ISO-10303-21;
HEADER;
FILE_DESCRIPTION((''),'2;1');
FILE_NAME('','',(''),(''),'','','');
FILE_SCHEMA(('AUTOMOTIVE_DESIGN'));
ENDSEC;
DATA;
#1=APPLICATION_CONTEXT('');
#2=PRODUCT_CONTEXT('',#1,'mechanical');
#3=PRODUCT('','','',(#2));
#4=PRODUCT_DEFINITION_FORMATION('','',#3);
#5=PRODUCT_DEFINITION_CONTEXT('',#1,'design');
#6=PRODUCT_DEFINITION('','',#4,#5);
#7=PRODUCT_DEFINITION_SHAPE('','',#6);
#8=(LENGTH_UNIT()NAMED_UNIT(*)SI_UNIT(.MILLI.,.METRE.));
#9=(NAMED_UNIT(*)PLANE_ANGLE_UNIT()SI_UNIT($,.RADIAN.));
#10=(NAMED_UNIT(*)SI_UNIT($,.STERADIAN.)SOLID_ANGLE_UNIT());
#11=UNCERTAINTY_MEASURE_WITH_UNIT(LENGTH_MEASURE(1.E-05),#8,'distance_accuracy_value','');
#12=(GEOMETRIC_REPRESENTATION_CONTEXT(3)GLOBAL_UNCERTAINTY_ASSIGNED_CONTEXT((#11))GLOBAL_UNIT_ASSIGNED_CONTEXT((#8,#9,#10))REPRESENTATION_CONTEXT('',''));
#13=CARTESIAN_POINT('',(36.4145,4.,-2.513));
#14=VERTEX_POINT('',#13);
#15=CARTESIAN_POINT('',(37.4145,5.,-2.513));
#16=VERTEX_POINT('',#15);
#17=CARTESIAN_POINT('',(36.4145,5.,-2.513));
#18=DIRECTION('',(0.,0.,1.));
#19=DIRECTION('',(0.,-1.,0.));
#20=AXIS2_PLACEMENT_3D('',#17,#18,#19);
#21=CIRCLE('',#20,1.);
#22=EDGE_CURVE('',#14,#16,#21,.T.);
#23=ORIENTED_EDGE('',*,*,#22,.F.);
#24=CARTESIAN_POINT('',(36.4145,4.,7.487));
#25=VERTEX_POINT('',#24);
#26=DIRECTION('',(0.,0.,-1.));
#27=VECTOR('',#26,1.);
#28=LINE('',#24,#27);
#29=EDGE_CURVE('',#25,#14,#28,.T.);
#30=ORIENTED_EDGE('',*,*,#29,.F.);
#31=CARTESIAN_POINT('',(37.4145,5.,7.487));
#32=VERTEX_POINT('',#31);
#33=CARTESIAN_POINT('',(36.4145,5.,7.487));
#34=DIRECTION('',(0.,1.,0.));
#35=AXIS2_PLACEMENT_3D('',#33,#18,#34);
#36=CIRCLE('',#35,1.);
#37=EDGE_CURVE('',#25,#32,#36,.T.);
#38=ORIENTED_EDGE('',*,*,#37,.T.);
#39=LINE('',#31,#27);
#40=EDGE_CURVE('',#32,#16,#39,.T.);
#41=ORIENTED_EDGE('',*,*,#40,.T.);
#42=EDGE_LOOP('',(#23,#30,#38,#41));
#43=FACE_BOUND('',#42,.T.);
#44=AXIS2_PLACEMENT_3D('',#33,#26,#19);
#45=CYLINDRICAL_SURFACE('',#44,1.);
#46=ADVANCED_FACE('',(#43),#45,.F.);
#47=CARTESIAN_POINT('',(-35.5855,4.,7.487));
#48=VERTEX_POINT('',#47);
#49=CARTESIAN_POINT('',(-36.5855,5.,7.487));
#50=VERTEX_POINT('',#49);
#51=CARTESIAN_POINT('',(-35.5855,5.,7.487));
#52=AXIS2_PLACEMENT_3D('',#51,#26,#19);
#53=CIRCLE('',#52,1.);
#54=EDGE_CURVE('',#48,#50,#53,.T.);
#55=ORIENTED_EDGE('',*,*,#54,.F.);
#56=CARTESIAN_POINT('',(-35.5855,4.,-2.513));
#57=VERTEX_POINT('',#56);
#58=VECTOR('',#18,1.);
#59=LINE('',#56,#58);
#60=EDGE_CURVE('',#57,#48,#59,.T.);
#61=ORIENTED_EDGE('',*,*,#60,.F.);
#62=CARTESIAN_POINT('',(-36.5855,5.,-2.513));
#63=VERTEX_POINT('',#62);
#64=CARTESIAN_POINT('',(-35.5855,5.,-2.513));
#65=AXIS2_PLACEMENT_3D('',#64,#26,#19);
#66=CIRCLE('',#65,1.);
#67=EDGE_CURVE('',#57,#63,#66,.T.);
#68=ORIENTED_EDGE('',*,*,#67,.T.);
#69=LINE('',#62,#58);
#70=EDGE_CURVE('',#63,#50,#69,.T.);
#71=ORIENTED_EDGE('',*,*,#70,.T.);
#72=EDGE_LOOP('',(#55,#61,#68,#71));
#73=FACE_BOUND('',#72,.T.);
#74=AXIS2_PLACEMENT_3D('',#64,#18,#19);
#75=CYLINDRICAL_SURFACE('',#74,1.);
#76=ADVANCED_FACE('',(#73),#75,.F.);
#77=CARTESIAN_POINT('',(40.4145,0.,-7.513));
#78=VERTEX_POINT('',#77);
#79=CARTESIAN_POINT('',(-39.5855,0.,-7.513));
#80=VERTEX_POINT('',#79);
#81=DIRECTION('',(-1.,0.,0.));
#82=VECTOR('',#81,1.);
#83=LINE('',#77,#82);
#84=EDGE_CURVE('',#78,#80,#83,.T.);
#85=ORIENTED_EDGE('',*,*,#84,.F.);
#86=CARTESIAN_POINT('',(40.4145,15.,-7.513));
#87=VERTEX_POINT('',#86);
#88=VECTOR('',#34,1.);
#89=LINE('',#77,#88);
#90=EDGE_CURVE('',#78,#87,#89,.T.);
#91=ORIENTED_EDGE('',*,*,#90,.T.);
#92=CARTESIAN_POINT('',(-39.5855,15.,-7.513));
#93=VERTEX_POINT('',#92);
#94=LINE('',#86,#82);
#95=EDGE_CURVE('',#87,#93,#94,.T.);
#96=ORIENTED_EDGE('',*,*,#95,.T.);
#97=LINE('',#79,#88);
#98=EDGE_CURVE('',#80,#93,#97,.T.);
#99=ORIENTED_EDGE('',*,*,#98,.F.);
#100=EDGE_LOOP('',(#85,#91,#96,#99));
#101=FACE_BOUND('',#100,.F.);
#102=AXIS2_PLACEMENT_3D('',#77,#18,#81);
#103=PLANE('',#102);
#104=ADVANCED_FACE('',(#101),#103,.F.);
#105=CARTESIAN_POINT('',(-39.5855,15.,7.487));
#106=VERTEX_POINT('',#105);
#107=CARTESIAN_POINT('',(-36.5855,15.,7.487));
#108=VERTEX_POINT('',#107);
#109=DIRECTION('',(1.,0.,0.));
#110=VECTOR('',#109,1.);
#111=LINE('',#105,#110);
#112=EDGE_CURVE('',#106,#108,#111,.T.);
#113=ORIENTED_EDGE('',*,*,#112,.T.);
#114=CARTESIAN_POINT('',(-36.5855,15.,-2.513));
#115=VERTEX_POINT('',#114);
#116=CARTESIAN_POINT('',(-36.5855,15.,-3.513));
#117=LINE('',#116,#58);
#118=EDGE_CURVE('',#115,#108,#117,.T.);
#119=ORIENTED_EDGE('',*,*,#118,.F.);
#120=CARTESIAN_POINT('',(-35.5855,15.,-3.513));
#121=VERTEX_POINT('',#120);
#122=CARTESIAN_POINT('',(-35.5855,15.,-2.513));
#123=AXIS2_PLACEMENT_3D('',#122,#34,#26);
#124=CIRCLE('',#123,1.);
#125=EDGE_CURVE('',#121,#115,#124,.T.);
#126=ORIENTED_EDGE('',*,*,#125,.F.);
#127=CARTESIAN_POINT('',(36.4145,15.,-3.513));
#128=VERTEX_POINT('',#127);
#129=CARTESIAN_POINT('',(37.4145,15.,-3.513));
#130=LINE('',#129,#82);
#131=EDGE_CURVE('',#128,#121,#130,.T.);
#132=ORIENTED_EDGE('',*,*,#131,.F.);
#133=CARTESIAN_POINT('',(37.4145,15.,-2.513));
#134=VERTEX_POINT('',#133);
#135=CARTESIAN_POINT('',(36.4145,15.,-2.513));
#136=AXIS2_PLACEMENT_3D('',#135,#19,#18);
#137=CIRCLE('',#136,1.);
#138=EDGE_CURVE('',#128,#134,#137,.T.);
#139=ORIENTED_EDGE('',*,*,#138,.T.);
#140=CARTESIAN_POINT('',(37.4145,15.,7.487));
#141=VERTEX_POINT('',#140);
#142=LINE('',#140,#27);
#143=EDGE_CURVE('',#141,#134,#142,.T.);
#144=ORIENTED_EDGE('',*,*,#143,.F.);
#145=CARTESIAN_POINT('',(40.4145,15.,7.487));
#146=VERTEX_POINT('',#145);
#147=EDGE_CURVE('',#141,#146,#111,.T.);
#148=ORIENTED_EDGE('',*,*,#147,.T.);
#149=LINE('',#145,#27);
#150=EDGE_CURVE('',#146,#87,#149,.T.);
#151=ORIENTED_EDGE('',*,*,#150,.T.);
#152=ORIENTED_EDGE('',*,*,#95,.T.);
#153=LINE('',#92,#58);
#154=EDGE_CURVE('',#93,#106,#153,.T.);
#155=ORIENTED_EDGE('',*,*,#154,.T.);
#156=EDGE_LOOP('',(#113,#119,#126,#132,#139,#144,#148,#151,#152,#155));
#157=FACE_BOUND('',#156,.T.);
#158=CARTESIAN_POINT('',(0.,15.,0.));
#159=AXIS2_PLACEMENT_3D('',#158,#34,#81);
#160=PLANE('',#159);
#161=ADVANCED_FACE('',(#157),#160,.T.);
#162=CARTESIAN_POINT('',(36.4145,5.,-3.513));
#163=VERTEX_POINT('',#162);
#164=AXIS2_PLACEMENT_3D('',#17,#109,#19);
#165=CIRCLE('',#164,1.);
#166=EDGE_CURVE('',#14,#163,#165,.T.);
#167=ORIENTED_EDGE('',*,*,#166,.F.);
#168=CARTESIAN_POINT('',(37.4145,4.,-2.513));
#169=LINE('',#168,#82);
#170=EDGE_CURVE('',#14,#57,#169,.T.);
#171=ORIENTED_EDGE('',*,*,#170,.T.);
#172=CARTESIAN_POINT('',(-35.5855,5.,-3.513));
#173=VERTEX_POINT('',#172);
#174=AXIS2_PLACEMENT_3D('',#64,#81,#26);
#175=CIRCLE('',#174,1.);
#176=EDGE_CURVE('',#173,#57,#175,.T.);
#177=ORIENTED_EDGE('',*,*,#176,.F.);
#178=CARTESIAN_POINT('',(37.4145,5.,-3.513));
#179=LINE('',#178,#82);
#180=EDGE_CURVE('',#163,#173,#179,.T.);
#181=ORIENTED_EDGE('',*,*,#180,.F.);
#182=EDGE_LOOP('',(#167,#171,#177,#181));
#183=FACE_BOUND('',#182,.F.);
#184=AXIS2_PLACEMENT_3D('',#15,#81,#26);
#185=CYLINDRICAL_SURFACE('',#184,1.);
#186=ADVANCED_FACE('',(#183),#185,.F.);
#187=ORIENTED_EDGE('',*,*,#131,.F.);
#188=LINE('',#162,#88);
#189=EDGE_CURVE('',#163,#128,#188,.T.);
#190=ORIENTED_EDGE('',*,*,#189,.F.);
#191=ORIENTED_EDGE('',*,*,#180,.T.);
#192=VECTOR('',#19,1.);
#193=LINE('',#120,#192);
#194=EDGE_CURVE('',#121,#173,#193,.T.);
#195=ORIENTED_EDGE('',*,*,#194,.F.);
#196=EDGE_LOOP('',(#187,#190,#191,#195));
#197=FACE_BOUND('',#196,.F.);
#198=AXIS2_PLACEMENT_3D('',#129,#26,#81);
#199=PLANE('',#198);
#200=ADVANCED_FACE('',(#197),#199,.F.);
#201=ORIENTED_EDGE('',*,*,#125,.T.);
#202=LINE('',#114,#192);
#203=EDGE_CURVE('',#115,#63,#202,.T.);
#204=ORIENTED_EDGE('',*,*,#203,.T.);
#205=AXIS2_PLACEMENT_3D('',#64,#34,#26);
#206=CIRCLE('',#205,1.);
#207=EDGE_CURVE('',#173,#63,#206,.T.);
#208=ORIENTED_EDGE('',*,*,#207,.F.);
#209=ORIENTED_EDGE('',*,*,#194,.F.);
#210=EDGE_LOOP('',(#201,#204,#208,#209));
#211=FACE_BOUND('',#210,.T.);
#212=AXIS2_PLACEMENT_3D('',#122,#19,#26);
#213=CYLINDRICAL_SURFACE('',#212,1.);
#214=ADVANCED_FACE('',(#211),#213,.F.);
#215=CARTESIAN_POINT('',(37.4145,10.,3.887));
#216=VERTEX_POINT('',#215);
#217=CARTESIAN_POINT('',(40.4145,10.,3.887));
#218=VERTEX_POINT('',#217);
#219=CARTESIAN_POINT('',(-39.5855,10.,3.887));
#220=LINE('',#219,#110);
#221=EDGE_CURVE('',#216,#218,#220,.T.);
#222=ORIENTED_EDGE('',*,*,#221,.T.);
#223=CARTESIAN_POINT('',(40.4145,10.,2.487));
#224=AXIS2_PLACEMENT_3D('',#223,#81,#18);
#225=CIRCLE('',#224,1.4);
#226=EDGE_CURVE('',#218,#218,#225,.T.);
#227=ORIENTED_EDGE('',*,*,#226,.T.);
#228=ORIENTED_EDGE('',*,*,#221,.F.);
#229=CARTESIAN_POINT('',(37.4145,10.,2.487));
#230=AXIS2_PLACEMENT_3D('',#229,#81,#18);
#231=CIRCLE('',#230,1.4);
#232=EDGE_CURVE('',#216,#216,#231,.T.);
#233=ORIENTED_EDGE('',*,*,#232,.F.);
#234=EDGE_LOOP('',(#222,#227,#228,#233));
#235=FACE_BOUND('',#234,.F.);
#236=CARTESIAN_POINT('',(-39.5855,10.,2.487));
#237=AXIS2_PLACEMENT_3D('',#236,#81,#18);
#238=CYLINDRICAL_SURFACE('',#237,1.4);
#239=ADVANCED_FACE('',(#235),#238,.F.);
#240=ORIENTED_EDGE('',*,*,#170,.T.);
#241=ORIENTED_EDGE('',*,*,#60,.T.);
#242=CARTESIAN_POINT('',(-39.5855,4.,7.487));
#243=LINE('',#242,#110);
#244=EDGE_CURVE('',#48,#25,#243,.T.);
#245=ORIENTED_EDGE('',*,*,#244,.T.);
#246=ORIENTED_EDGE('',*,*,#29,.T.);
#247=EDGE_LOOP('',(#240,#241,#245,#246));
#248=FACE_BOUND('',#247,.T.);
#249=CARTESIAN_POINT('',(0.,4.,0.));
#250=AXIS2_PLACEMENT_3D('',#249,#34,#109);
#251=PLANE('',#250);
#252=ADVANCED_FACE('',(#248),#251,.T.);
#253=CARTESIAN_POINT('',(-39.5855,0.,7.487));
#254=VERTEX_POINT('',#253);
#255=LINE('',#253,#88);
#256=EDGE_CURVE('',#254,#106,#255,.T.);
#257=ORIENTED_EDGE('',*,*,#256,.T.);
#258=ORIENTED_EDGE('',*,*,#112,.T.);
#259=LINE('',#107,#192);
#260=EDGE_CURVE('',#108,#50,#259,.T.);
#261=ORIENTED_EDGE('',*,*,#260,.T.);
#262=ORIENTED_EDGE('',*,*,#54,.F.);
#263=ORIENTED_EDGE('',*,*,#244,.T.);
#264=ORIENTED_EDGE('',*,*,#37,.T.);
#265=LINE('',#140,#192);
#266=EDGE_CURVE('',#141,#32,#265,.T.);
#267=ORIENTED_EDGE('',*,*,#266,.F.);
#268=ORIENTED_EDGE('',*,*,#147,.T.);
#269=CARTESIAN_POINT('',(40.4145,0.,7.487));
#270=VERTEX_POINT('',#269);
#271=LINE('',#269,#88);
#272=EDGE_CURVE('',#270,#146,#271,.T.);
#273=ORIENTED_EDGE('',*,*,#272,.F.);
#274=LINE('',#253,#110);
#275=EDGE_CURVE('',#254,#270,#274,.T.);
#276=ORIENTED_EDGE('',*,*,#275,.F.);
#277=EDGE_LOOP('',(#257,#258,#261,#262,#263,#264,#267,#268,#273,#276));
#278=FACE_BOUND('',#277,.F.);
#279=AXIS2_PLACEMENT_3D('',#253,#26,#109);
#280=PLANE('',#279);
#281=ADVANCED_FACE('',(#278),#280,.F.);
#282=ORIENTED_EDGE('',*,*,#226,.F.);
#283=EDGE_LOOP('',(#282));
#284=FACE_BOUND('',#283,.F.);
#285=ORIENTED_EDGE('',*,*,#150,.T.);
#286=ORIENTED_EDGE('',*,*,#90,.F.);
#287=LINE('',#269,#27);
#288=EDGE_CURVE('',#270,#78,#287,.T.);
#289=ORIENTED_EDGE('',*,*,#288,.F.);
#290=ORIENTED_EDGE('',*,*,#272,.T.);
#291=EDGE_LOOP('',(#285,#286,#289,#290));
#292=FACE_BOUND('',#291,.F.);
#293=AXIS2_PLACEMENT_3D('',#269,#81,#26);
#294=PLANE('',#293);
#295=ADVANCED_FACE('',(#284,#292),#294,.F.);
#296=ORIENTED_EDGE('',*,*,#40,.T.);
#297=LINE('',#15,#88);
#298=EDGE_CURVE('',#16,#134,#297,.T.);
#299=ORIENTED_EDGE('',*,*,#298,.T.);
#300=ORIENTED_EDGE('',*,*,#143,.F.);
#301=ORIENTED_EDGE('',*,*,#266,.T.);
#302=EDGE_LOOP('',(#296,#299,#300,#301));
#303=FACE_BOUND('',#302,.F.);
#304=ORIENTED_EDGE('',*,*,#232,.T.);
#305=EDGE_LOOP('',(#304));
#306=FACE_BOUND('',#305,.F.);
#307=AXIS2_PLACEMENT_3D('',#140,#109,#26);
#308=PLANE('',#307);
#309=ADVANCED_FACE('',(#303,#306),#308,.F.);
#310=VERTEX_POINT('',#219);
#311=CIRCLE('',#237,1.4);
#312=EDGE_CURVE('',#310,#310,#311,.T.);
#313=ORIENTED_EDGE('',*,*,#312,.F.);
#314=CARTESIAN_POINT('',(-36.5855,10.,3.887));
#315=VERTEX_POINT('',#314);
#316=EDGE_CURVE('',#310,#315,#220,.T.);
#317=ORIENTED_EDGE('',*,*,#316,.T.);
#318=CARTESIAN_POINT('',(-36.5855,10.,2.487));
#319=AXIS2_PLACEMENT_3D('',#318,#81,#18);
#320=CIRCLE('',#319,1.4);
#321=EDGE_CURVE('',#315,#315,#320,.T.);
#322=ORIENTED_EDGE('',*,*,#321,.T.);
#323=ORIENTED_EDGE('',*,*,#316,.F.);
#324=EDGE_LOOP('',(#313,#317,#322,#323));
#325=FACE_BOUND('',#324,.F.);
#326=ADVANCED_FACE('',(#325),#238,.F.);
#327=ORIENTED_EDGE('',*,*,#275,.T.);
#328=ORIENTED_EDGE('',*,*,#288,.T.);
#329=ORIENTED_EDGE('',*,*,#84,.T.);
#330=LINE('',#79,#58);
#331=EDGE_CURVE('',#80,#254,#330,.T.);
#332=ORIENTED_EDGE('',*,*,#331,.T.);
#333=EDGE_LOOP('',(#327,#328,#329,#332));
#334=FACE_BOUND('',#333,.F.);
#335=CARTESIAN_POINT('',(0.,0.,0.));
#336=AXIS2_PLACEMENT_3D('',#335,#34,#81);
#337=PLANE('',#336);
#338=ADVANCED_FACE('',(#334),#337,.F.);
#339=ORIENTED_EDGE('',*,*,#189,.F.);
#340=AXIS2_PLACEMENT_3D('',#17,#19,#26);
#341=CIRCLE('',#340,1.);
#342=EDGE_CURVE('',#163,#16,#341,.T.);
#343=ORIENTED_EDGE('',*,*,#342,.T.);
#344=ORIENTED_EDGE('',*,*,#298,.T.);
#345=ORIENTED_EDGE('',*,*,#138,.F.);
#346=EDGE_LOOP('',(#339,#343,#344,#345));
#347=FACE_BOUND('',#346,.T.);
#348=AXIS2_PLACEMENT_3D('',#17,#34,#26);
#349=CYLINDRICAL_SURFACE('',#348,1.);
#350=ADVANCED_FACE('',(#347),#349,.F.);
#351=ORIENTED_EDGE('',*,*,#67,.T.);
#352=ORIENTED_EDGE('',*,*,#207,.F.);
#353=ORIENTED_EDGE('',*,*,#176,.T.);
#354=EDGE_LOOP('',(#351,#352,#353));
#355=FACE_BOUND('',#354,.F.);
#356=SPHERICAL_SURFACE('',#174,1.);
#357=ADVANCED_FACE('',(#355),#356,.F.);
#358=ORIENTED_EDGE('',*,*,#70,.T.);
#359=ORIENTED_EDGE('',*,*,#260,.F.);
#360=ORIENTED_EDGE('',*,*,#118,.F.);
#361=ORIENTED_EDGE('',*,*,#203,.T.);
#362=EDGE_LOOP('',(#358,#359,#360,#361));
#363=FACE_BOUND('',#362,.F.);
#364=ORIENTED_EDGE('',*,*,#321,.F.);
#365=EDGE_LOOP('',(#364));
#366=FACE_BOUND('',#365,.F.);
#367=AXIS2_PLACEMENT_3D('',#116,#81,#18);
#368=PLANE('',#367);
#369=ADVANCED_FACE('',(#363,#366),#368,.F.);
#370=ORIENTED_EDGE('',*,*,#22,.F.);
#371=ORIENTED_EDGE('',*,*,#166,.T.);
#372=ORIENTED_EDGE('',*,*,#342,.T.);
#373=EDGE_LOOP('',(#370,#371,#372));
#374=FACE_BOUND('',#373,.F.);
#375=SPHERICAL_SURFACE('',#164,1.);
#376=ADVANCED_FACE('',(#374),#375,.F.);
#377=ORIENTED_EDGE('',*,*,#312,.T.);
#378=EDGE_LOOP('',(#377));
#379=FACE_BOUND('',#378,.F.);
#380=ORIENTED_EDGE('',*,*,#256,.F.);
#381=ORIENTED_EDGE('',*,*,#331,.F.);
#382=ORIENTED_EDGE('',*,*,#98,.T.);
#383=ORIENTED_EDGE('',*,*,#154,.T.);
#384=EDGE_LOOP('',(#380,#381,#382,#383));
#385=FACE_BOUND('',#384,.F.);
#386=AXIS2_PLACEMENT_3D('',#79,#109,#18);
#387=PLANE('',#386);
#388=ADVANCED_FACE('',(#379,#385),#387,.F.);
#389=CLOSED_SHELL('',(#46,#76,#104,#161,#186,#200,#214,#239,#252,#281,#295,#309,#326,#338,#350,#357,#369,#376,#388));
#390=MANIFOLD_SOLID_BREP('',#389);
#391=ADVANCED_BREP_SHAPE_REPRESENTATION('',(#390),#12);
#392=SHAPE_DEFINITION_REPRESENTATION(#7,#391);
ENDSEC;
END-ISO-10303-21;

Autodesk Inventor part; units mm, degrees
ref_plane "YZ Plane" through (0, 0, 0) normal (1, 0, 0) x (0, 1, 0)
ref_plane "XZ Plane" through (0, 0, 0) normal (0, 1, 0) x (-1, 0, 0)
ref_plane "XY Plane" through (0, 0, 0) normal (0, 0, 1) x (1, 0, 0)
sketch "Sketch1" plane through (0, 0, 0) normal (0, 1, 0) x (-1, 0, 0)
  line L0 (39.5855, 7.487) -> (-40.4145, 7.487)
  line L1 (-40.4145, 7.487) -> (-40.4145, -7.513)
  line L2 (-40.4145, -7.513) -> (39.5855, -7.513)
  line L3 (39.5855, -7.513) -> (39.5855, 7.487)
  point P0 (0, 0)
  dimension "d0" = 80
  dimension "d1" = 15
extrude "Extrusion1" add sketch "Sketch1" along normal blind 15
sketch "Sketch2" plane through (0, 15, 0) normal (0, 1, 0) x (1, 0, 0)
  line L0 (-39.5855, -7.487) -> (40.4145, -7.487) projected
  line L1 (-36.5855, -7.487) -> (37.4145, -7.487)
  line L2 (37.4145, -7.487) -> (37.4145, 3.513)
  line L3 (37.4145, 3.513) -> (-36.5855, 3.513)
  line L4 (-36.5855, 3.513) -> (-36.5855, -7.487)
  line L5 (40.4145, 7.513) -> (-39.5855, 7.513) projected
  line L6 (-39.5855, 7.513) -> (-39.5855, -7.487) projected
  line L7 (40.4145, -7.487) -> (40.4145, 7.513) projected
  point P0 (0, 0)
  point P1 (37.4145, -7.487)
  dimension "d4" = 4
  dimension "d5" = 3
  dimension "d6" = 3
extrude "Extrusion2" cut sketch "Sketch2" against normal blind 11 contours L4 L3 L2 L0
sketch "Sketch3" plane through (-39.5855, 0, -7.513) normal (-1, 0, 0) x (0, 0, 1)
  circle A0 centre (10, 10) radius 1.4
  line L0 (15, 4) -> (4, 4) projected
  line L1 (4, 15) -> (4, 4) projected
  point P0 (7.513, 0)
  dimension "d9" = 2.8
  dimension "d10" = 6
  dimension "d11" = 6
extrude "Extrusion3" cut sketch "Sketch3" against normal through all
fillet "Fillet1" radius 1 1 edges at (0.4145, 4, -3.513)
fillet "Fillet2" radius 1 3 edges at (-36.5855, 10, -3.513) (-36.5855, 4.2929, -3.2201) (-36.5855, 4, 2.487)
fillet "Fillet3" radius 1 3 edges at (37.4145, 4, 2.487) (37.4145, 4.2929, -3.2201) (37.4145, 10, -3.513)
properties part number "leg_8"
